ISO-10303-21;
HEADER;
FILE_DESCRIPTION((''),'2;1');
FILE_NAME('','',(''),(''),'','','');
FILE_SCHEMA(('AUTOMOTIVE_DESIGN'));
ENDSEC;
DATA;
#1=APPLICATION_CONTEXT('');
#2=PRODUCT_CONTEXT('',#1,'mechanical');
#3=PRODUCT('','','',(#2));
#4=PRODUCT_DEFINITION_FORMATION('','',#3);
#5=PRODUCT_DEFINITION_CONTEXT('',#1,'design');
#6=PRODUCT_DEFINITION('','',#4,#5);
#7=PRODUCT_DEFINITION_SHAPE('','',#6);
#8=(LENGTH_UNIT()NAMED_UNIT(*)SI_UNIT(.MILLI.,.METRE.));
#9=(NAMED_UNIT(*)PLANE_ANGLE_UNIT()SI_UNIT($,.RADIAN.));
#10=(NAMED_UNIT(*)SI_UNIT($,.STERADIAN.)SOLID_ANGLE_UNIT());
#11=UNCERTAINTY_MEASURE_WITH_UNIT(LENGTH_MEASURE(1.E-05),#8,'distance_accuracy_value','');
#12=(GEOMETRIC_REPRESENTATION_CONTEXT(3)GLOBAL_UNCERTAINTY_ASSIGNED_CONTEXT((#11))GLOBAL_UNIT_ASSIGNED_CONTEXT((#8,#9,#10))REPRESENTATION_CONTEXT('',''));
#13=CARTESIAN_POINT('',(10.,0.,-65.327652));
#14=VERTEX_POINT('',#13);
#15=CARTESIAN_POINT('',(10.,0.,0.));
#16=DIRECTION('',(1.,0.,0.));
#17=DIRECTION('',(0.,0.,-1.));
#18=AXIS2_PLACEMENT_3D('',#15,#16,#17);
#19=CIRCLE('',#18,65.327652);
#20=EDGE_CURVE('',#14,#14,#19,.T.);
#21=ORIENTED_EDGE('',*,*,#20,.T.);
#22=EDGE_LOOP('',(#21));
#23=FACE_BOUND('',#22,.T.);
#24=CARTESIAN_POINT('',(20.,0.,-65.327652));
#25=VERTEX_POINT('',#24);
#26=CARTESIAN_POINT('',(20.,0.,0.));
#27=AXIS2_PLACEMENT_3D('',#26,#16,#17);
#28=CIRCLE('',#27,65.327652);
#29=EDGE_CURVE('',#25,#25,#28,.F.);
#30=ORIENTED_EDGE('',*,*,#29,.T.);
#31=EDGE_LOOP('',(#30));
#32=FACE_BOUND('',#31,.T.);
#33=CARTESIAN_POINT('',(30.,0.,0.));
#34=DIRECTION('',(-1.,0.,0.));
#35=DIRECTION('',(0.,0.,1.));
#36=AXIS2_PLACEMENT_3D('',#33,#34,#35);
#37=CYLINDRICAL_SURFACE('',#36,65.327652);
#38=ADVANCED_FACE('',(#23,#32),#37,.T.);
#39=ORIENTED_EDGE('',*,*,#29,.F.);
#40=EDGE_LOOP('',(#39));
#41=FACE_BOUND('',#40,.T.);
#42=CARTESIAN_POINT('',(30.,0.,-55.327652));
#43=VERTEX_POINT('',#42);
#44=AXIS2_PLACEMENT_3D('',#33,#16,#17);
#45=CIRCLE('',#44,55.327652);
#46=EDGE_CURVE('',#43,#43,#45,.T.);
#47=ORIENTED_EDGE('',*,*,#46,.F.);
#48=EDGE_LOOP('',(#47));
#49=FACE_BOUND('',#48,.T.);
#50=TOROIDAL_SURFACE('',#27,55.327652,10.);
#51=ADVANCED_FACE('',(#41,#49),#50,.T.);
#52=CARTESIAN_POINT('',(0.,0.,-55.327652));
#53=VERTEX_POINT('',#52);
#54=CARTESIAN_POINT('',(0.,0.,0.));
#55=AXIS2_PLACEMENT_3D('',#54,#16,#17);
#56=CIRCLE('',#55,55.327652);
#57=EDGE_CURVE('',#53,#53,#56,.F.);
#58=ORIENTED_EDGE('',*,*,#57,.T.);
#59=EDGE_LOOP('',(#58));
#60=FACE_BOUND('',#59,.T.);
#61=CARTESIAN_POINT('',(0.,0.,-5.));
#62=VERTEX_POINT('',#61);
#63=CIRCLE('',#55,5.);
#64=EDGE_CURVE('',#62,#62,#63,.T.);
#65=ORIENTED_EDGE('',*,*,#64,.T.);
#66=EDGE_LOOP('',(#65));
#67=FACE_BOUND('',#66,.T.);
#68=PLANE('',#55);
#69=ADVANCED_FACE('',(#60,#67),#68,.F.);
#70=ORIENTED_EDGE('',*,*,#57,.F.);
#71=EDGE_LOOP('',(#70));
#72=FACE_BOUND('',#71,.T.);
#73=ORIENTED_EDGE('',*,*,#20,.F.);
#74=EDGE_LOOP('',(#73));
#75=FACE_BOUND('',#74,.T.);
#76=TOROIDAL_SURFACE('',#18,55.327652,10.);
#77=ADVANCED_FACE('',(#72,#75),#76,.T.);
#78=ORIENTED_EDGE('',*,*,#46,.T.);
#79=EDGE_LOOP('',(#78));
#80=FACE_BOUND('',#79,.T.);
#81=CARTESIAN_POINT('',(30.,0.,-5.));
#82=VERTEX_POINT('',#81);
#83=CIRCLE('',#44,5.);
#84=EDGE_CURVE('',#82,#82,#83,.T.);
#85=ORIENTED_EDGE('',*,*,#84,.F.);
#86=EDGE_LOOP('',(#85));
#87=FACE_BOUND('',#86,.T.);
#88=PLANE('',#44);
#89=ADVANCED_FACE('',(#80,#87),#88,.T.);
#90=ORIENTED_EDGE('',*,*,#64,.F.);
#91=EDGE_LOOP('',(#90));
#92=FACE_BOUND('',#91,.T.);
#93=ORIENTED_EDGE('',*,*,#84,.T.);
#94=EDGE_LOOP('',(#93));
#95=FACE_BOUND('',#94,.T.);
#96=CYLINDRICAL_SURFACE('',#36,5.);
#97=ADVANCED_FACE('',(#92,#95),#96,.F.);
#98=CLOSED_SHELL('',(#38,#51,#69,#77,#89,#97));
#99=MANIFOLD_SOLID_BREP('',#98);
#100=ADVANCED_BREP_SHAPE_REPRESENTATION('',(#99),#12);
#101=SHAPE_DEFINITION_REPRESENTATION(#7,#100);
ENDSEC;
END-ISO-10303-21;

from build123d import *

# Parameters (mm, degrees)
SKETCH1_R           = 65.327652275
SKETCH1_R_2         = 5
BOSS_EXTRUDE1_DEPTH = 30
FILLET1_R           = 10


with BuildPart() as part:
    # Sketch1 → Boss-Extrude1 (new body)
    with BuildSketch(Plane(origin=(0, 0, 0), x_dir=(0, 0, -1), z_dir=(1, 0, 0))):
        Circle(SKETCH1_R)
        Circle(SKETCH1_R_2, mode=Mode.SUBTRACT)
    extrude(amount=BOSS_EXTRUDE1_DEPTH)

    # Fillet1
    fillet1_edges = [part.edges().sort_by_distance(p)[0] for p in [
        (0, 0, 65.327652275),
        (30, 0, 65.327652275),
    ]]
    fillet(fillet1_edges, radius=FILLET1_R)


solid = part.part
